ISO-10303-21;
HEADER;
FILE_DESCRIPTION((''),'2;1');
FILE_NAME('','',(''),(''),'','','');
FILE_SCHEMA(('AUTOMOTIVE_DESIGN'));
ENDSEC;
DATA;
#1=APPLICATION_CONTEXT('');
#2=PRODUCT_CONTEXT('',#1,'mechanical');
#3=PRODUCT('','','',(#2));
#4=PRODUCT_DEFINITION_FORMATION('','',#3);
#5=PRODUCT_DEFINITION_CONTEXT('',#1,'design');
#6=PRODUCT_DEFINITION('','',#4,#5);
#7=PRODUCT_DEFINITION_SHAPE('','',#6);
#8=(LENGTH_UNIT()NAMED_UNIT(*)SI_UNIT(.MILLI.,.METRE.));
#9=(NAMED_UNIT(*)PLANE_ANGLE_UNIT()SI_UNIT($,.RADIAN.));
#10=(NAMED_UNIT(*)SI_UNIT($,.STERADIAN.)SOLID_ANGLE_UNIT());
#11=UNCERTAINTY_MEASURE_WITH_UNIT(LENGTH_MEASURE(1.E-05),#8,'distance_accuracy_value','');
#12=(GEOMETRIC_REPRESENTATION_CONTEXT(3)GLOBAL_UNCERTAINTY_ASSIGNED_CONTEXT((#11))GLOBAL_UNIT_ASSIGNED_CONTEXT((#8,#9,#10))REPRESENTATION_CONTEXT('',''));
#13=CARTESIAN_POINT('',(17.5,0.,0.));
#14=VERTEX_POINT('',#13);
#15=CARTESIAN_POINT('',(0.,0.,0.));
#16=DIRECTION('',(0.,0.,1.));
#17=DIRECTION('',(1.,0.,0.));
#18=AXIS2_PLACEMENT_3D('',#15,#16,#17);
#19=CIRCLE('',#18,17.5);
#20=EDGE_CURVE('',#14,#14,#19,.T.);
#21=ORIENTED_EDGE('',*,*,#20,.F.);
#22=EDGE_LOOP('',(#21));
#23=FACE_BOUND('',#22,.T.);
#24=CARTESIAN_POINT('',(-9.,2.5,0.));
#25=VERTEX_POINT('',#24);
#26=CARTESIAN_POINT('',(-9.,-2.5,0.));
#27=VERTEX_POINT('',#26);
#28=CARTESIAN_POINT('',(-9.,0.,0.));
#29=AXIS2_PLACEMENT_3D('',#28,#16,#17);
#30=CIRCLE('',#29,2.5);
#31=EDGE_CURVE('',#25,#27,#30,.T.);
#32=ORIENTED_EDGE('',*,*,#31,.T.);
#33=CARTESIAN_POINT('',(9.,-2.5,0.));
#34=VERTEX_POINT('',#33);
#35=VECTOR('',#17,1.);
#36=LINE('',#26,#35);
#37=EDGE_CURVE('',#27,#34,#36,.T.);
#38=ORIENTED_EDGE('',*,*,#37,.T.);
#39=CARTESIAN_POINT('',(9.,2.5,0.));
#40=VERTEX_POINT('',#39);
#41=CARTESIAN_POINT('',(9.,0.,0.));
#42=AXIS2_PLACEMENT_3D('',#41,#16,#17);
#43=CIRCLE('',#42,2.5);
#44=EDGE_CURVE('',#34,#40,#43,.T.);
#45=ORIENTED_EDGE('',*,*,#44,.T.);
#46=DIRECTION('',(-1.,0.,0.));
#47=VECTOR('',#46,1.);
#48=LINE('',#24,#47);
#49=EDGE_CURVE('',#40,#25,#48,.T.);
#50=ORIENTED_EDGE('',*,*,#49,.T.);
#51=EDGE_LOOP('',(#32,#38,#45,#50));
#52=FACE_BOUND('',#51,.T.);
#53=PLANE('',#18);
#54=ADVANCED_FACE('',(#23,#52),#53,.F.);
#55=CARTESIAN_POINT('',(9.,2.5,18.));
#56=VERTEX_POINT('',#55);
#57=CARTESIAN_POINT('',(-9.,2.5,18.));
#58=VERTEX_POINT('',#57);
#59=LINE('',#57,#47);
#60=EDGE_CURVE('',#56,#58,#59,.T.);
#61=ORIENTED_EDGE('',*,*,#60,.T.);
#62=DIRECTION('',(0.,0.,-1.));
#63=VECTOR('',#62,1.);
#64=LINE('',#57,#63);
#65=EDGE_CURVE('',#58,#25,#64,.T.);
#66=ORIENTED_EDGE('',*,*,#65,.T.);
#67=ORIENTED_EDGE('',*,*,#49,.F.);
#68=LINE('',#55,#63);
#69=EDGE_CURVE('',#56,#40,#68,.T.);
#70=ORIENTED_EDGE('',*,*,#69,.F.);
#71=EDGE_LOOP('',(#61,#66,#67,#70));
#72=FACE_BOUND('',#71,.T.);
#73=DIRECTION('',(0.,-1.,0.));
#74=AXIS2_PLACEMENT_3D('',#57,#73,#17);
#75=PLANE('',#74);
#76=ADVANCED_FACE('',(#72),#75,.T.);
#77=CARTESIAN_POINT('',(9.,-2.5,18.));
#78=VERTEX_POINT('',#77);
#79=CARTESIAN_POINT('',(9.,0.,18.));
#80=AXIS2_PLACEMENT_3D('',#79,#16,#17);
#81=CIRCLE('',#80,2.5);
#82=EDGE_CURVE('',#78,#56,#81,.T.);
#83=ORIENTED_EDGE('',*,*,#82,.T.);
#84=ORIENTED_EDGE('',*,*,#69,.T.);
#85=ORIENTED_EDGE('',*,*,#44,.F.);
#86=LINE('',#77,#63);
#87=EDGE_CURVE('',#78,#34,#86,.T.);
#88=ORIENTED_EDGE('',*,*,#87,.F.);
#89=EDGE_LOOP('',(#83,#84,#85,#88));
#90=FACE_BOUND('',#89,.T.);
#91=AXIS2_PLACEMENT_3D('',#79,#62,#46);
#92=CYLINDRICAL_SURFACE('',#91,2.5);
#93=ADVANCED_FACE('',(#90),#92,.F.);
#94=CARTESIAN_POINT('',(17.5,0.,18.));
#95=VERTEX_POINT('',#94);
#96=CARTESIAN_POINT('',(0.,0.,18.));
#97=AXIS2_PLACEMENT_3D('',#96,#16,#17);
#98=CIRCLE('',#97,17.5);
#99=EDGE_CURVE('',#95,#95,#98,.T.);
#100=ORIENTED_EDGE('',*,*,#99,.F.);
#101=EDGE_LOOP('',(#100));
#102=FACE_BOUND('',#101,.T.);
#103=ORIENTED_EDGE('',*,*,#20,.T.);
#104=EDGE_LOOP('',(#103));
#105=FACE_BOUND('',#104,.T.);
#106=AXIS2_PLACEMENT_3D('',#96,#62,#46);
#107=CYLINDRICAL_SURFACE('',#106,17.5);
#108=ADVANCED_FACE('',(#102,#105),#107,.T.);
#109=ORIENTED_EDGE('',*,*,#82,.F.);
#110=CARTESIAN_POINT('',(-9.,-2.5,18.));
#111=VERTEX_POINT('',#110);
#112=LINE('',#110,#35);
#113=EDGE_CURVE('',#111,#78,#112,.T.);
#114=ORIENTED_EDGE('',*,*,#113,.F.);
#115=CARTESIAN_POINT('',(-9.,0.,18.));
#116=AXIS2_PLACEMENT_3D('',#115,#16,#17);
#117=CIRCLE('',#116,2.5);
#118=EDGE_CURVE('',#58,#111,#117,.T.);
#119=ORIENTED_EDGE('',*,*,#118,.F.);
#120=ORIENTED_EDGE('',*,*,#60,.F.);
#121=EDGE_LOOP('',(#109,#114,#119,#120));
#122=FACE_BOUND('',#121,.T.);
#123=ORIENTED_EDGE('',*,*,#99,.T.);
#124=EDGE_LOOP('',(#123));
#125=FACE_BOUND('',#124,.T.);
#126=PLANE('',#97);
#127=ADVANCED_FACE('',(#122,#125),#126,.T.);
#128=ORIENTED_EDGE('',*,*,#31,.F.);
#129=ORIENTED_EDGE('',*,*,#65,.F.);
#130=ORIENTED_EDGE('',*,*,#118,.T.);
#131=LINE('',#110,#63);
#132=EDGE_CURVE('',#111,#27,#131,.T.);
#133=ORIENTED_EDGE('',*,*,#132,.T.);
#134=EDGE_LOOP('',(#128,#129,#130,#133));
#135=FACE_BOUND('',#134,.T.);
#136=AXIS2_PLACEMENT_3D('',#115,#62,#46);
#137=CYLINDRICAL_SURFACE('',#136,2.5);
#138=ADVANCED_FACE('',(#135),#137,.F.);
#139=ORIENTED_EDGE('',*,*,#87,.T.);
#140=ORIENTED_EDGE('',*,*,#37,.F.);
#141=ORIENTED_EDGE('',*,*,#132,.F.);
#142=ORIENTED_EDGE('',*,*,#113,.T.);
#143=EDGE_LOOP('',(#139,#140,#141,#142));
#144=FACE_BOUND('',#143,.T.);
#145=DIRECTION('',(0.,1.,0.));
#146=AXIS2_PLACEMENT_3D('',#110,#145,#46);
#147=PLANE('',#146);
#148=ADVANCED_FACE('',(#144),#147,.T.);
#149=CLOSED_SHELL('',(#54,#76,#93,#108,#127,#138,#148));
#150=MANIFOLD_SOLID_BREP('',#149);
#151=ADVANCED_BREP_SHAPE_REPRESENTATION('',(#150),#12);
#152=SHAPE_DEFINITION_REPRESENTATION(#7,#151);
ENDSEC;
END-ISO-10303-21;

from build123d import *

# Parameters (mm, degrees)
SCHIZZO1_R                   = 17.5
ESTRUSIONE_ESTRUSIONE1_DEPTH = 18


with BuildPart() as part:
    # Schizzo1 → Estrusione-Estrusione1 (new body)
    with BuildSketch(Plane.XY):
        Circle(SCHIZZO1_R)
        with BuildLine():
            Line((-9, 2.5), (9, 2.5))
            ThreePointArc((9, 2.5), (11.5, 0), (9, -2.5))
            Line((9, -2.5), (-9, -2.5))
            ThreePointArc((-9, -2.5), (-11.5, 0), (-9, 2.5))
        make_face(mode=Mode.SUBTRACT)
    extrude(amount=ESTRUSIONE_ESTRUSIONE1_DEPTH)


solid = part.part
